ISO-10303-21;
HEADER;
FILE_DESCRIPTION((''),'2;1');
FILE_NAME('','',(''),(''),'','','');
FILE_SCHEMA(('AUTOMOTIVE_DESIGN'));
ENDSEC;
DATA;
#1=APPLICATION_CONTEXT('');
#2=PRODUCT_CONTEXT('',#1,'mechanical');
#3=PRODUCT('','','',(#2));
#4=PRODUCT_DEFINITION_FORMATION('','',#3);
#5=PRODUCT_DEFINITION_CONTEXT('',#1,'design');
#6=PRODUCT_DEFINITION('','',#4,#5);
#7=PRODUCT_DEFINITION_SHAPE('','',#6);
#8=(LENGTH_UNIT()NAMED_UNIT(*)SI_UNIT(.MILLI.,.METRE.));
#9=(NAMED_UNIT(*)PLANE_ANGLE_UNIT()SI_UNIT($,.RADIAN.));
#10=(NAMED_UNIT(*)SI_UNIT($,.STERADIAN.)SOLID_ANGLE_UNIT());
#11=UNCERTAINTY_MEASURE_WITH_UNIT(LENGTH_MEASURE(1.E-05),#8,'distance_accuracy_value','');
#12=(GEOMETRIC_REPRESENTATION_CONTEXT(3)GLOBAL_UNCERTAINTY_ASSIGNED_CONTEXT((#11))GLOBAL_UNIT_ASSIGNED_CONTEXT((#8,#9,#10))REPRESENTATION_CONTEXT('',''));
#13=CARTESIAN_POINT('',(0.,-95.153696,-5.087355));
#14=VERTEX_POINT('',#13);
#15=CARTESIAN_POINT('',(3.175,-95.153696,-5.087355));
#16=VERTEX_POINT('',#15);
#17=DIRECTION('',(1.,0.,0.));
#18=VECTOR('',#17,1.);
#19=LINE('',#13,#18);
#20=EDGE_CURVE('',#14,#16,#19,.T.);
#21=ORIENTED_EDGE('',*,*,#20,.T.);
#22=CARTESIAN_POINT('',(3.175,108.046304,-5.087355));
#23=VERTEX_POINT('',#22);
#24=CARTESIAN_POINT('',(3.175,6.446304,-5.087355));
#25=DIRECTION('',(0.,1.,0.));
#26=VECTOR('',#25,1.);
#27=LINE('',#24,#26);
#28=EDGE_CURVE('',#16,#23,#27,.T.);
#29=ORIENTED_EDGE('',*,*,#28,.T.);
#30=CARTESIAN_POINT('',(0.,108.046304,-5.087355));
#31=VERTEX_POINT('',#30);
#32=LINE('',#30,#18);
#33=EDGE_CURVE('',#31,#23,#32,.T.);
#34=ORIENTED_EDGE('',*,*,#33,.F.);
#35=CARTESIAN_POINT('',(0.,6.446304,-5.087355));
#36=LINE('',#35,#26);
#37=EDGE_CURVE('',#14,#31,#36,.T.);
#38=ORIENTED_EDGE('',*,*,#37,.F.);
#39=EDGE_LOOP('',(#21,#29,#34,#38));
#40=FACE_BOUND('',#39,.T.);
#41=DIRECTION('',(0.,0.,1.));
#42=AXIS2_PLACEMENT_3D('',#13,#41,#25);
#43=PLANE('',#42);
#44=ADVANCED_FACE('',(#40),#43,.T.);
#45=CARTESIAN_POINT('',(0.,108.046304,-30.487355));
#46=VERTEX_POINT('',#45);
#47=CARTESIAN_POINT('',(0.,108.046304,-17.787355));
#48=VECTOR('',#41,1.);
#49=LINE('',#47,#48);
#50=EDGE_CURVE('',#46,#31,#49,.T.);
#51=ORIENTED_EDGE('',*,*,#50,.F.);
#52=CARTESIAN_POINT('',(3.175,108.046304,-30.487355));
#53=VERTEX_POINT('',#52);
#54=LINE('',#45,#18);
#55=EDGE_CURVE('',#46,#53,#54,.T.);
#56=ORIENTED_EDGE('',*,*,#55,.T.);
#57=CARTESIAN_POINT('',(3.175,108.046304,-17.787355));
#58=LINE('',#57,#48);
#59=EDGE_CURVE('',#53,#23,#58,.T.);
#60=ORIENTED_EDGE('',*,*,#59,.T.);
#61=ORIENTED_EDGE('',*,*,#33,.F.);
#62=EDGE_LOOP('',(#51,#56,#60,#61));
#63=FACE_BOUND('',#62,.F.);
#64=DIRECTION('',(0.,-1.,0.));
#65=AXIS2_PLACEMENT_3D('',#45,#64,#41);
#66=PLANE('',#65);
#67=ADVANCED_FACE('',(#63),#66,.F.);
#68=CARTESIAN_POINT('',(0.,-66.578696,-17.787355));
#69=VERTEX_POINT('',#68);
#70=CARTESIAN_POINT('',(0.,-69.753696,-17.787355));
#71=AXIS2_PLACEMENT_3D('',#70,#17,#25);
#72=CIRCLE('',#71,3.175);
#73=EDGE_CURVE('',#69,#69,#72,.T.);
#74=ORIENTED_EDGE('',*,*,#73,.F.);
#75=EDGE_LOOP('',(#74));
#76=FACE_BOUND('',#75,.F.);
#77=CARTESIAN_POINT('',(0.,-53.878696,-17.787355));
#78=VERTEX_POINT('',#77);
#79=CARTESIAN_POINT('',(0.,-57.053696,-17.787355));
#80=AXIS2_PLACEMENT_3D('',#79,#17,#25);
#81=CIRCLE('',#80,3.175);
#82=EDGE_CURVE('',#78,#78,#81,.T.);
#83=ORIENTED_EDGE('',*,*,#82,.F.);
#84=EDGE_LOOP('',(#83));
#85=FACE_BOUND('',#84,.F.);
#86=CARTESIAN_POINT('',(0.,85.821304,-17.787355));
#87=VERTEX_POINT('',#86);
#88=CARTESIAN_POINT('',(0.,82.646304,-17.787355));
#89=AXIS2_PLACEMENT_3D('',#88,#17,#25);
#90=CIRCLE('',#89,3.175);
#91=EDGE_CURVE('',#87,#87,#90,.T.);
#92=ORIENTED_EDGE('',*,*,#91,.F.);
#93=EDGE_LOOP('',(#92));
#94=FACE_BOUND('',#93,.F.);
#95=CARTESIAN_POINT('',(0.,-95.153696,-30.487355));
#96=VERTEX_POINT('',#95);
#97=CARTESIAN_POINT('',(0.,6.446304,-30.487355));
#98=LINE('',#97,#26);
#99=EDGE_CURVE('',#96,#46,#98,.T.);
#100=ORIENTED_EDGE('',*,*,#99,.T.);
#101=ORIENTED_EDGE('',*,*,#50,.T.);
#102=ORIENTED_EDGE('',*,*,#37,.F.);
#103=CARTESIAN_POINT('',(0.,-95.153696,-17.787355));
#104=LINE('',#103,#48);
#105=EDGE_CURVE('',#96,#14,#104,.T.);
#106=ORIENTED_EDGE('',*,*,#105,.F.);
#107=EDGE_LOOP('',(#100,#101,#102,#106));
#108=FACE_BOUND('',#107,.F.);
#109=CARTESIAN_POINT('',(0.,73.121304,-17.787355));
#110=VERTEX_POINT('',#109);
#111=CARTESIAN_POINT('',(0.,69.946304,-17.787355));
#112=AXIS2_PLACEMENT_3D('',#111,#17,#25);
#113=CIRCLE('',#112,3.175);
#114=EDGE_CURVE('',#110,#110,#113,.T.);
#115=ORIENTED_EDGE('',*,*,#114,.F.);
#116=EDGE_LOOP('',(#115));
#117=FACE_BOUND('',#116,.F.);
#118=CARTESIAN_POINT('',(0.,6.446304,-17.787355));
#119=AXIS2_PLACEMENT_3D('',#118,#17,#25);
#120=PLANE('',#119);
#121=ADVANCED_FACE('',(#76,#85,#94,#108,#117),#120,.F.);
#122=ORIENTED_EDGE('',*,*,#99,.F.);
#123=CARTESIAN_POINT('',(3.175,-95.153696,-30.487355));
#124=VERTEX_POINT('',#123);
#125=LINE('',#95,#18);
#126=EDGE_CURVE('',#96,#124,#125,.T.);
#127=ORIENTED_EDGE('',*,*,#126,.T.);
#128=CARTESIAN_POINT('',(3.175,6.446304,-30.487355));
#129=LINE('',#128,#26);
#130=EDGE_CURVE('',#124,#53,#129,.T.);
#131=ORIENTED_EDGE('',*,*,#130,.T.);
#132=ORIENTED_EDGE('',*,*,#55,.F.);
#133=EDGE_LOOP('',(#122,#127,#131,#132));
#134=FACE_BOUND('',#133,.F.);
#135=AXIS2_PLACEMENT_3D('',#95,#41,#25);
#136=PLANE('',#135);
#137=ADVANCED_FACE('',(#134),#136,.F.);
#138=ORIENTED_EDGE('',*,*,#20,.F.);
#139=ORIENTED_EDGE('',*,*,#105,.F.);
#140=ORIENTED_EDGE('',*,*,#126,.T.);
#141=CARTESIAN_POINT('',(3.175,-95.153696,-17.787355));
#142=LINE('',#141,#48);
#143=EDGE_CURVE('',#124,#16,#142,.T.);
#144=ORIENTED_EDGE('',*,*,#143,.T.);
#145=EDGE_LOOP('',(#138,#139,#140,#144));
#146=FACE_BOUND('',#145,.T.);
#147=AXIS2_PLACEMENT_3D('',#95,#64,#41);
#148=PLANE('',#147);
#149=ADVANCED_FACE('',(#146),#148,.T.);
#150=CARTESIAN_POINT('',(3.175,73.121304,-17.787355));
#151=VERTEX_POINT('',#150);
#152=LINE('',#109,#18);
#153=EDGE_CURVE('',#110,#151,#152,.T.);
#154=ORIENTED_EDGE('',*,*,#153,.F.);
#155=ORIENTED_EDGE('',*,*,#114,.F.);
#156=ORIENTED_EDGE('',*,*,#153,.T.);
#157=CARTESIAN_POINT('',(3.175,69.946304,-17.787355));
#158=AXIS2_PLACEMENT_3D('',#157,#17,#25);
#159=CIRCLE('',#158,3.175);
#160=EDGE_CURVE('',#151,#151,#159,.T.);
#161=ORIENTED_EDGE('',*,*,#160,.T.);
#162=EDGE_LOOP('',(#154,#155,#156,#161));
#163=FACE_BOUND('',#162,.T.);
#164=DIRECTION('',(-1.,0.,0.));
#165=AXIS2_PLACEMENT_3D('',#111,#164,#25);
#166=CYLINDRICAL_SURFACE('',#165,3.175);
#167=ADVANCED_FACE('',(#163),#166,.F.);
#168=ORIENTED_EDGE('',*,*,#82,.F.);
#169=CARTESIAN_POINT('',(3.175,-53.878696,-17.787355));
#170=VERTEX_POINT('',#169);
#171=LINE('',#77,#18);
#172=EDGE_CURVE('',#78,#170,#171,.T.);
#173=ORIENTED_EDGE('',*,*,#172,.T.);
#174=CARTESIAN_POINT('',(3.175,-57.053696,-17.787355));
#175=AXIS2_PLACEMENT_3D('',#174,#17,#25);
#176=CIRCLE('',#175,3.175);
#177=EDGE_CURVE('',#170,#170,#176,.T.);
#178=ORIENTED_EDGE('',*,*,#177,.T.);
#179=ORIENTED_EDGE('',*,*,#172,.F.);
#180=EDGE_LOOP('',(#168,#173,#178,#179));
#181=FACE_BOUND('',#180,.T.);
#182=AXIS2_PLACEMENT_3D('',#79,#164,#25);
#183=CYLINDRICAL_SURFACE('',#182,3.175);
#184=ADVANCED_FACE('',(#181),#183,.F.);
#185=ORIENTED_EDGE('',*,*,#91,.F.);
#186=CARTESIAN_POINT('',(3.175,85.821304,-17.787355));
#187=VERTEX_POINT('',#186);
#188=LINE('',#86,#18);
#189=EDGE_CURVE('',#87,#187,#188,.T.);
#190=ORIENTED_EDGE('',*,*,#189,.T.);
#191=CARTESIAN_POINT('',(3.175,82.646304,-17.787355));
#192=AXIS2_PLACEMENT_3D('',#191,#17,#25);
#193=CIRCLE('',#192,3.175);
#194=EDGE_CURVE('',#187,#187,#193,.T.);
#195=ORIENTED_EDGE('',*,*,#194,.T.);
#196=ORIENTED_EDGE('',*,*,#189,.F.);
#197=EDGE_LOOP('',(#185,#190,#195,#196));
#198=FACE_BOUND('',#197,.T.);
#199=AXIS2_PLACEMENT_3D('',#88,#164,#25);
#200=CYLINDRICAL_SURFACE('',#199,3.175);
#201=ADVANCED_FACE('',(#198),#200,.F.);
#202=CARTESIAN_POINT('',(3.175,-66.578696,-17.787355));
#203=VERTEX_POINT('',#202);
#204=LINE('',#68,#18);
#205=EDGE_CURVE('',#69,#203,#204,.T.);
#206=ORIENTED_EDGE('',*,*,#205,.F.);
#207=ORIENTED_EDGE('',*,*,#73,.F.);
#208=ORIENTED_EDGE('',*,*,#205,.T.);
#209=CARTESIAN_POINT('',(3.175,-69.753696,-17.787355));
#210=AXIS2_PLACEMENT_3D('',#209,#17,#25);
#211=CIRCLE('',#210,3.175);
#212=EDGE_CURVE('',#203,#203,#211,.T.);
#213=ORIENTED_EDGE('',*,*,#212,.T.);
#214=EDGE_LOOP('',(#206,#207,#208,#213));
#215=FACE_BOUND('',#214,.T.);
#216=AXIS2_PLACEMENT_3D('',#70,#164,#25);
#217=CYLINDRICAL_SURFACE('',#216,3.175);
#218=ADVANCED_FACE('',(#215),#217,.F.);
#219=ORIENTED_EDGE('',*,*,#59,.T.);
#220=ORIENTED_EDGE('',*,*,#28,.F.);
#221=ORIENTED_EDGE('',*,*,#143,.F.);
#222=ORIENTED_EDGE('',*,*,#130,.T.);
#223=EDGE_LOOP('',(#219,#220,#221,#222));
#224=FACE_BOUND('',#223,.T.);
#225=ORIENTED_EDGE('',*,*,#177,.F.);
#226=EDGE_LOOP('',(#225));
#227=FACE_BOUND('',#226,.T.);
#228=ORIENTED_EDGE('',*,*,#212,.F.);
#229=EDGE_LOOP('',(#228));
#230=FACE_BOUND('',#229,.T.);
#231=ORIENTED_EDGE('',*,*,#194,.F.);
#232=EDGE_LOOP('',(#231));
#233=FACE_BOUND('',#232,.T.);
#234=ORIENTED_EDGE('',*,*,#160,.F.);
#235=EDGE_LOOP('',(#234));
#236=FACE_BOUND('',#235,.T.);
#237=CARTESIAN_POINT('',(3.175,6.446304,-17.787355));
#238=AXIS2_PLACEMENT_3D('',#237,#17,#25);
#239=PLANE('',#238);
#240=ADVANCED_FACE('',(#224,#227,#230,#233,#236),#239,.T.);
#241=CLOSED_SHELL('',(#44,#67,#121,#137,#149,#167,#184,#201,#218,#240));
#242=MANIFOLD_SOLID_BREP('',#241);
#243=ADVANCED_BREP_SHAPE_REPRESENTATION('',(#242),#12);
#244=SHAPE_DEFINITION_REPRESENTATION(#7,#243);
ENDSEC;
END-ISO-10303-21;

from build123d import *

# Parameters (mm, degrees)
F0_W     = 203.2
F0_H     = 25.4
F0_R     = 3.175
F1_DEPTH = 3.175


with BuildPart() as f1:
    # F0 (on Right) → F1 (new body)
    with BuildSketch(Plane.YZ):
        with Locations((6.446304, -17.787355)):
            Rectangle(F0_W, F0_H)
        with Locations((-69.753696, -17.787355)):
            Circle(F0_R, mode=Mode.SUBTRACT)
        with Locations((-57.053696, -17.787355)):
            Circle(F0_R, mode=Mode.SUBTRACT)
        with Locations((69.946304, -17.787355)):
            Circle(F0_R, mode=Mode.SUBTRACT)
        with Locations((82.646304, -17.787355)):
            Circle(F0_R, mode=Mode.SUBTRACT)
    extrude(amount=F1_DEPTH)


solid = f1.part
